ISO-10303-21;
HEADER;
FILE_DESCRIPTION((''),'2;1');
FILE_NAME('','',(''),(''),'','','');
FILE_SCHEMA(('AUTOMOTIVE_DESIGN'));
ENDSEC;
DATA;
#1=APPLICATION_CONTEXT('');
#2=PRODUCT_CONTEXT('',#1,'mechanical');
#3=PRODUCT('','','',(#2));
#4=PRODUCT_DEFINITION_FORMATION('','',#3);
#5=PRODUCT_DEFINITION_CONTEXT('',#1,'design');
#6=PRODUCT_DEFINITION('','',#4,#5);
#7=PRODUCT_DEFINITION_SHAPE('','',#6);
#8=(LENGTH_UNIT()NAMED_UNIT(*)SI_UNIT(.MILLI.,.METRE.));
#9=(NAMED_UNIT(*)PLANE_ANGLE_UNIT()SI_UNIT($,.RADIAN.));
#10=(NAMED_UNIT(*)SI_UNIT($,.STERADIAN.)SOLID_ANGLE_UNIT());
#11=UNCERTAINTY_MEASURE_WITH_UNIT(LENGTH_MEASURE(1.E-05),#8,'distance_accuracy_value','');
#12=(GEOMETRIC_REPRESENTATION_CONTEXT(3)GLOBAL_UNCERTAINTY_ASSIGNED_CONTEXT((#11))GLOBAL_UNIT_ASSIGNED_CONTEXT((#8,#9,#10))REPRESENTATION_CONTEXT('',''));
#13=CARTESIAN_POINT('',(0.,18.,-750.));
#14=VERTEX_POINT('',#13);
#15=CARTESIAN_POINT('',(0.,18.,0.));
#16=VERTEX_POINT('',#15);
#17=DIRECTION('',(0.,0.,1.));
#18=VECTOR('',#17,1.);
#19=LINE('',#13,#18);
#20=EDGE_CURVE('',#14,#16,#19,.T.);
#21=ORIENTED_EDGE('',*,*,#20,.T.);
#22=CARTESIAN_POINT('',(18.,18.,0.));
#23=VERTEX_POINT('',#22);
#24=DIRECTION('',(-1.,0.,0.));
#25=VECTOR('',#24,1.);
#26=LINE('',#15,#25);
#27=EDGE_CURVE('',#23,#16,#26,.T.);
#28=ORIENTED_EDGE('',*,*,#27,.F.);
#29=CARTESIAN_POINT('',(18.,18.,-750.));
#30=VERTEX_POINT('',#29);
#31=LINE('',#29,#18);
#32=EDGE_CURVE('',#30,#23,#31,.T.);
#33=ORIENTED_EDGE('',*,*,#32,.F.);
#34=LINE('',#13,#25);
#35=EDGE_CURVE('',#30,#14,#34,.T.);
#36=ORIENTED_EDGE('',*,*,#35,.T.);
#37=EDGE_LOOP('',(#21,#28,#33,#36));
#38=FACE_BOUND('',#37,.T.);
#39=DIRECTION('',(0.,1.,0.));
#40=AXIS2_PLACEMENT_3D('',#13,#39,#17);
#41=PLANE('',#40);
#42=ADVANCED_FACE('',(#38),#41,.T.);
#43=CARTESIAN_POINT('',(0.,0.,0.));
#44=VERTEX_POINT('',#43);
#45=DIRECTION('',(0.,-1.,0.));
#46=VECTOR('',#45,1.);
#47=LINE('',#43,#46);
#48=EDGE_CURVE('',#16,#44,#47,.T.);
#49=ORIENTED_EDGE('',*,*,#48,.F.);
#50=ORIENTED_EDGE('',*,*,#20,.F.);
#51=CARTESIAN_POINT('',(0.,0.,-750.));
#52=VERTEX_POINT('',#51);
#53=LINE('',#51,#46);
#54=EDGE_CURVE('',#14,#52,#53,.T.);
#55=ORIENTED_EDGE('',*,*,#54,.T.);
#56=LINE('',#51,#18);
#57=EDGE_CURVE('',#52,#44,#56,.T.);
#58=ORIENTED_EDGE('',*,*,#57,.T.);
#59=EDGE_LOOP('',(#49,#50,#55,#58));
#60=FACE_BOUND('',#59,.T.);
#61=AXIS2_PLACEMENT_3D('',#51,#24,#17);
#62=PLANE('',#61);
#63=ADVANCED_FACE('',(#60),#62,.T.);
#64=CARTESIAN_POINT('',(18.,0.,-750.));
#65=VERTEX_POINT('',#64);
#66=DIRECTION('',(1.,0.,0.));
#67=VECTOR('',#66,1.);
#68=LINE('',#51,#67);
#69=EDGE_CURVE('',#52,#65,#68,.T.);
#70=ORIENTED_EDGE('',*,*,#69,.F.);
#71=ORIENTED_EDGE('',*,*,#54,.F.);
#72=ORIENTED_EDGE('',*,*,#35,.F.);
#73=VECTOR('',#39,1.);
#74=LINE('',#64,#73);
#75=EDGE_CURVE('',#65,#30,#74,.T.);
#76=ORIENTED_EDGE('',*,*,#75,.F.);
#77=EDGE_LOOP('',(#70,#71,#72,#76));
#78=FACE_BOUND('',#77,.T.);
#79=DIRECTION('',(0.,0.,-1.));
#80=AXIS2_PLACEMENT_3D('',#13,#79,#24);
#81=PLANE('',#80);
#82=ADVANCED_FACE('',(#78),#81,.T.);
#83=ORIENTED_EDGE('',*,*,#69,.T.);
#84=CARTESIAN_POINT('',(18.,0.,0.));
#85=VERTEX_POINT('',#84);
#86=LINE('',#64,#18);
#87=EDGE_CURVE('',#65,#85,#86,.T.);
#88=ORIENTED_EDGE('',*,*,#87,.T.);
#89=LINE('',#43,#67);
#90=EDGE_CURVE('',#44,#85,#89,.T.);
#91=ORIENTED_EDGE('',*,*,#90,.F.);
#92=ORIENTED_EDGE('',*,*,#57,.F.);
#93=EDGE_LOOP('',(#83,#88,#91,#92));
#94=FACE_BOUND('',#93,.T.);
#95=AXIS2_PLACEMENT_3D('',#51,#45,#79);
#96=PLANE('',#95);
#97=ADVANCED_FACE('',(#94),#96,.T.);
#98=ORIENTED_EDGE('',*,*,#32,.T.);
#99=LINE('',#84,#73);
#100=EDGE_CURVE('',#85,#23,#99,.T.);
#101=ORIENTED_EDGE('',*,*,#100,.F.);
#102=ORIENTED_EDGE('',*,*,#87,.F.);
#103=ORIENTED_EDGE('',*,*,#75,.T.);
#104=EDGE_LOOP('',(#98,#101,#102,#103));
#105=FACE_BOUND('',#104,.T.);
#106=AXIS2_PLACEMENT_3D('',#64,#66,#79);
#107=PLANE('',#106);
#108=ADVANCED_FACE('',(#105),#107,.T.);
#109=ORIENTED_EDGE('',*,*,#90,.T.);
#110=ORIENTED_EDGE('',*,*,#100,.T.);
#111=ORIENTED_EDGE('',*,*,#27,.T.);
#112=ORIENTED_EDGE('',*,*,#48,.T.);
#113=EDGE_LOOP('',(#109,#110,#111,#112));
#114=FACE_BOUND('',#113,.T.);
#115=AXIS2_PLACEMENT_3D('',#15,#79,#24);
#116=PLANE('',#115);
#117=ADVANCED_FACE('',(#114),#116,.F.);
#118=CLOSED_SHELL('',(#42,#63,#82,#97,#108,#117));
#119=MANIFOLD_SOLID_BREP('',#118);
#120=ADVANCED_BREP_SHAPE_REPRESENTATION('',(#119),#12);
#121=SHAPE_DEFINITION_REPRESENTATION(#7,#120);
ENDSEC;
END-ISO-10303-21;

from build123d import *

# Parameters (mm, degrees)
ESQUISSE1_W      = 18
ESQUISSE1_H      = 18
EXTRUSION1_DEPTH = 750


with BuildPart() as part:
    # Esquisse1 → Extrusion1 (new body)
    with BuildSketch(Plane.XY):
        with Locations((9, 9)):
            Rectangle(ESQUISSE1_W, ESQUISSE1_H)
    extrude(amount=-EXTRUSION1_DEPTH)


solid = part.part
